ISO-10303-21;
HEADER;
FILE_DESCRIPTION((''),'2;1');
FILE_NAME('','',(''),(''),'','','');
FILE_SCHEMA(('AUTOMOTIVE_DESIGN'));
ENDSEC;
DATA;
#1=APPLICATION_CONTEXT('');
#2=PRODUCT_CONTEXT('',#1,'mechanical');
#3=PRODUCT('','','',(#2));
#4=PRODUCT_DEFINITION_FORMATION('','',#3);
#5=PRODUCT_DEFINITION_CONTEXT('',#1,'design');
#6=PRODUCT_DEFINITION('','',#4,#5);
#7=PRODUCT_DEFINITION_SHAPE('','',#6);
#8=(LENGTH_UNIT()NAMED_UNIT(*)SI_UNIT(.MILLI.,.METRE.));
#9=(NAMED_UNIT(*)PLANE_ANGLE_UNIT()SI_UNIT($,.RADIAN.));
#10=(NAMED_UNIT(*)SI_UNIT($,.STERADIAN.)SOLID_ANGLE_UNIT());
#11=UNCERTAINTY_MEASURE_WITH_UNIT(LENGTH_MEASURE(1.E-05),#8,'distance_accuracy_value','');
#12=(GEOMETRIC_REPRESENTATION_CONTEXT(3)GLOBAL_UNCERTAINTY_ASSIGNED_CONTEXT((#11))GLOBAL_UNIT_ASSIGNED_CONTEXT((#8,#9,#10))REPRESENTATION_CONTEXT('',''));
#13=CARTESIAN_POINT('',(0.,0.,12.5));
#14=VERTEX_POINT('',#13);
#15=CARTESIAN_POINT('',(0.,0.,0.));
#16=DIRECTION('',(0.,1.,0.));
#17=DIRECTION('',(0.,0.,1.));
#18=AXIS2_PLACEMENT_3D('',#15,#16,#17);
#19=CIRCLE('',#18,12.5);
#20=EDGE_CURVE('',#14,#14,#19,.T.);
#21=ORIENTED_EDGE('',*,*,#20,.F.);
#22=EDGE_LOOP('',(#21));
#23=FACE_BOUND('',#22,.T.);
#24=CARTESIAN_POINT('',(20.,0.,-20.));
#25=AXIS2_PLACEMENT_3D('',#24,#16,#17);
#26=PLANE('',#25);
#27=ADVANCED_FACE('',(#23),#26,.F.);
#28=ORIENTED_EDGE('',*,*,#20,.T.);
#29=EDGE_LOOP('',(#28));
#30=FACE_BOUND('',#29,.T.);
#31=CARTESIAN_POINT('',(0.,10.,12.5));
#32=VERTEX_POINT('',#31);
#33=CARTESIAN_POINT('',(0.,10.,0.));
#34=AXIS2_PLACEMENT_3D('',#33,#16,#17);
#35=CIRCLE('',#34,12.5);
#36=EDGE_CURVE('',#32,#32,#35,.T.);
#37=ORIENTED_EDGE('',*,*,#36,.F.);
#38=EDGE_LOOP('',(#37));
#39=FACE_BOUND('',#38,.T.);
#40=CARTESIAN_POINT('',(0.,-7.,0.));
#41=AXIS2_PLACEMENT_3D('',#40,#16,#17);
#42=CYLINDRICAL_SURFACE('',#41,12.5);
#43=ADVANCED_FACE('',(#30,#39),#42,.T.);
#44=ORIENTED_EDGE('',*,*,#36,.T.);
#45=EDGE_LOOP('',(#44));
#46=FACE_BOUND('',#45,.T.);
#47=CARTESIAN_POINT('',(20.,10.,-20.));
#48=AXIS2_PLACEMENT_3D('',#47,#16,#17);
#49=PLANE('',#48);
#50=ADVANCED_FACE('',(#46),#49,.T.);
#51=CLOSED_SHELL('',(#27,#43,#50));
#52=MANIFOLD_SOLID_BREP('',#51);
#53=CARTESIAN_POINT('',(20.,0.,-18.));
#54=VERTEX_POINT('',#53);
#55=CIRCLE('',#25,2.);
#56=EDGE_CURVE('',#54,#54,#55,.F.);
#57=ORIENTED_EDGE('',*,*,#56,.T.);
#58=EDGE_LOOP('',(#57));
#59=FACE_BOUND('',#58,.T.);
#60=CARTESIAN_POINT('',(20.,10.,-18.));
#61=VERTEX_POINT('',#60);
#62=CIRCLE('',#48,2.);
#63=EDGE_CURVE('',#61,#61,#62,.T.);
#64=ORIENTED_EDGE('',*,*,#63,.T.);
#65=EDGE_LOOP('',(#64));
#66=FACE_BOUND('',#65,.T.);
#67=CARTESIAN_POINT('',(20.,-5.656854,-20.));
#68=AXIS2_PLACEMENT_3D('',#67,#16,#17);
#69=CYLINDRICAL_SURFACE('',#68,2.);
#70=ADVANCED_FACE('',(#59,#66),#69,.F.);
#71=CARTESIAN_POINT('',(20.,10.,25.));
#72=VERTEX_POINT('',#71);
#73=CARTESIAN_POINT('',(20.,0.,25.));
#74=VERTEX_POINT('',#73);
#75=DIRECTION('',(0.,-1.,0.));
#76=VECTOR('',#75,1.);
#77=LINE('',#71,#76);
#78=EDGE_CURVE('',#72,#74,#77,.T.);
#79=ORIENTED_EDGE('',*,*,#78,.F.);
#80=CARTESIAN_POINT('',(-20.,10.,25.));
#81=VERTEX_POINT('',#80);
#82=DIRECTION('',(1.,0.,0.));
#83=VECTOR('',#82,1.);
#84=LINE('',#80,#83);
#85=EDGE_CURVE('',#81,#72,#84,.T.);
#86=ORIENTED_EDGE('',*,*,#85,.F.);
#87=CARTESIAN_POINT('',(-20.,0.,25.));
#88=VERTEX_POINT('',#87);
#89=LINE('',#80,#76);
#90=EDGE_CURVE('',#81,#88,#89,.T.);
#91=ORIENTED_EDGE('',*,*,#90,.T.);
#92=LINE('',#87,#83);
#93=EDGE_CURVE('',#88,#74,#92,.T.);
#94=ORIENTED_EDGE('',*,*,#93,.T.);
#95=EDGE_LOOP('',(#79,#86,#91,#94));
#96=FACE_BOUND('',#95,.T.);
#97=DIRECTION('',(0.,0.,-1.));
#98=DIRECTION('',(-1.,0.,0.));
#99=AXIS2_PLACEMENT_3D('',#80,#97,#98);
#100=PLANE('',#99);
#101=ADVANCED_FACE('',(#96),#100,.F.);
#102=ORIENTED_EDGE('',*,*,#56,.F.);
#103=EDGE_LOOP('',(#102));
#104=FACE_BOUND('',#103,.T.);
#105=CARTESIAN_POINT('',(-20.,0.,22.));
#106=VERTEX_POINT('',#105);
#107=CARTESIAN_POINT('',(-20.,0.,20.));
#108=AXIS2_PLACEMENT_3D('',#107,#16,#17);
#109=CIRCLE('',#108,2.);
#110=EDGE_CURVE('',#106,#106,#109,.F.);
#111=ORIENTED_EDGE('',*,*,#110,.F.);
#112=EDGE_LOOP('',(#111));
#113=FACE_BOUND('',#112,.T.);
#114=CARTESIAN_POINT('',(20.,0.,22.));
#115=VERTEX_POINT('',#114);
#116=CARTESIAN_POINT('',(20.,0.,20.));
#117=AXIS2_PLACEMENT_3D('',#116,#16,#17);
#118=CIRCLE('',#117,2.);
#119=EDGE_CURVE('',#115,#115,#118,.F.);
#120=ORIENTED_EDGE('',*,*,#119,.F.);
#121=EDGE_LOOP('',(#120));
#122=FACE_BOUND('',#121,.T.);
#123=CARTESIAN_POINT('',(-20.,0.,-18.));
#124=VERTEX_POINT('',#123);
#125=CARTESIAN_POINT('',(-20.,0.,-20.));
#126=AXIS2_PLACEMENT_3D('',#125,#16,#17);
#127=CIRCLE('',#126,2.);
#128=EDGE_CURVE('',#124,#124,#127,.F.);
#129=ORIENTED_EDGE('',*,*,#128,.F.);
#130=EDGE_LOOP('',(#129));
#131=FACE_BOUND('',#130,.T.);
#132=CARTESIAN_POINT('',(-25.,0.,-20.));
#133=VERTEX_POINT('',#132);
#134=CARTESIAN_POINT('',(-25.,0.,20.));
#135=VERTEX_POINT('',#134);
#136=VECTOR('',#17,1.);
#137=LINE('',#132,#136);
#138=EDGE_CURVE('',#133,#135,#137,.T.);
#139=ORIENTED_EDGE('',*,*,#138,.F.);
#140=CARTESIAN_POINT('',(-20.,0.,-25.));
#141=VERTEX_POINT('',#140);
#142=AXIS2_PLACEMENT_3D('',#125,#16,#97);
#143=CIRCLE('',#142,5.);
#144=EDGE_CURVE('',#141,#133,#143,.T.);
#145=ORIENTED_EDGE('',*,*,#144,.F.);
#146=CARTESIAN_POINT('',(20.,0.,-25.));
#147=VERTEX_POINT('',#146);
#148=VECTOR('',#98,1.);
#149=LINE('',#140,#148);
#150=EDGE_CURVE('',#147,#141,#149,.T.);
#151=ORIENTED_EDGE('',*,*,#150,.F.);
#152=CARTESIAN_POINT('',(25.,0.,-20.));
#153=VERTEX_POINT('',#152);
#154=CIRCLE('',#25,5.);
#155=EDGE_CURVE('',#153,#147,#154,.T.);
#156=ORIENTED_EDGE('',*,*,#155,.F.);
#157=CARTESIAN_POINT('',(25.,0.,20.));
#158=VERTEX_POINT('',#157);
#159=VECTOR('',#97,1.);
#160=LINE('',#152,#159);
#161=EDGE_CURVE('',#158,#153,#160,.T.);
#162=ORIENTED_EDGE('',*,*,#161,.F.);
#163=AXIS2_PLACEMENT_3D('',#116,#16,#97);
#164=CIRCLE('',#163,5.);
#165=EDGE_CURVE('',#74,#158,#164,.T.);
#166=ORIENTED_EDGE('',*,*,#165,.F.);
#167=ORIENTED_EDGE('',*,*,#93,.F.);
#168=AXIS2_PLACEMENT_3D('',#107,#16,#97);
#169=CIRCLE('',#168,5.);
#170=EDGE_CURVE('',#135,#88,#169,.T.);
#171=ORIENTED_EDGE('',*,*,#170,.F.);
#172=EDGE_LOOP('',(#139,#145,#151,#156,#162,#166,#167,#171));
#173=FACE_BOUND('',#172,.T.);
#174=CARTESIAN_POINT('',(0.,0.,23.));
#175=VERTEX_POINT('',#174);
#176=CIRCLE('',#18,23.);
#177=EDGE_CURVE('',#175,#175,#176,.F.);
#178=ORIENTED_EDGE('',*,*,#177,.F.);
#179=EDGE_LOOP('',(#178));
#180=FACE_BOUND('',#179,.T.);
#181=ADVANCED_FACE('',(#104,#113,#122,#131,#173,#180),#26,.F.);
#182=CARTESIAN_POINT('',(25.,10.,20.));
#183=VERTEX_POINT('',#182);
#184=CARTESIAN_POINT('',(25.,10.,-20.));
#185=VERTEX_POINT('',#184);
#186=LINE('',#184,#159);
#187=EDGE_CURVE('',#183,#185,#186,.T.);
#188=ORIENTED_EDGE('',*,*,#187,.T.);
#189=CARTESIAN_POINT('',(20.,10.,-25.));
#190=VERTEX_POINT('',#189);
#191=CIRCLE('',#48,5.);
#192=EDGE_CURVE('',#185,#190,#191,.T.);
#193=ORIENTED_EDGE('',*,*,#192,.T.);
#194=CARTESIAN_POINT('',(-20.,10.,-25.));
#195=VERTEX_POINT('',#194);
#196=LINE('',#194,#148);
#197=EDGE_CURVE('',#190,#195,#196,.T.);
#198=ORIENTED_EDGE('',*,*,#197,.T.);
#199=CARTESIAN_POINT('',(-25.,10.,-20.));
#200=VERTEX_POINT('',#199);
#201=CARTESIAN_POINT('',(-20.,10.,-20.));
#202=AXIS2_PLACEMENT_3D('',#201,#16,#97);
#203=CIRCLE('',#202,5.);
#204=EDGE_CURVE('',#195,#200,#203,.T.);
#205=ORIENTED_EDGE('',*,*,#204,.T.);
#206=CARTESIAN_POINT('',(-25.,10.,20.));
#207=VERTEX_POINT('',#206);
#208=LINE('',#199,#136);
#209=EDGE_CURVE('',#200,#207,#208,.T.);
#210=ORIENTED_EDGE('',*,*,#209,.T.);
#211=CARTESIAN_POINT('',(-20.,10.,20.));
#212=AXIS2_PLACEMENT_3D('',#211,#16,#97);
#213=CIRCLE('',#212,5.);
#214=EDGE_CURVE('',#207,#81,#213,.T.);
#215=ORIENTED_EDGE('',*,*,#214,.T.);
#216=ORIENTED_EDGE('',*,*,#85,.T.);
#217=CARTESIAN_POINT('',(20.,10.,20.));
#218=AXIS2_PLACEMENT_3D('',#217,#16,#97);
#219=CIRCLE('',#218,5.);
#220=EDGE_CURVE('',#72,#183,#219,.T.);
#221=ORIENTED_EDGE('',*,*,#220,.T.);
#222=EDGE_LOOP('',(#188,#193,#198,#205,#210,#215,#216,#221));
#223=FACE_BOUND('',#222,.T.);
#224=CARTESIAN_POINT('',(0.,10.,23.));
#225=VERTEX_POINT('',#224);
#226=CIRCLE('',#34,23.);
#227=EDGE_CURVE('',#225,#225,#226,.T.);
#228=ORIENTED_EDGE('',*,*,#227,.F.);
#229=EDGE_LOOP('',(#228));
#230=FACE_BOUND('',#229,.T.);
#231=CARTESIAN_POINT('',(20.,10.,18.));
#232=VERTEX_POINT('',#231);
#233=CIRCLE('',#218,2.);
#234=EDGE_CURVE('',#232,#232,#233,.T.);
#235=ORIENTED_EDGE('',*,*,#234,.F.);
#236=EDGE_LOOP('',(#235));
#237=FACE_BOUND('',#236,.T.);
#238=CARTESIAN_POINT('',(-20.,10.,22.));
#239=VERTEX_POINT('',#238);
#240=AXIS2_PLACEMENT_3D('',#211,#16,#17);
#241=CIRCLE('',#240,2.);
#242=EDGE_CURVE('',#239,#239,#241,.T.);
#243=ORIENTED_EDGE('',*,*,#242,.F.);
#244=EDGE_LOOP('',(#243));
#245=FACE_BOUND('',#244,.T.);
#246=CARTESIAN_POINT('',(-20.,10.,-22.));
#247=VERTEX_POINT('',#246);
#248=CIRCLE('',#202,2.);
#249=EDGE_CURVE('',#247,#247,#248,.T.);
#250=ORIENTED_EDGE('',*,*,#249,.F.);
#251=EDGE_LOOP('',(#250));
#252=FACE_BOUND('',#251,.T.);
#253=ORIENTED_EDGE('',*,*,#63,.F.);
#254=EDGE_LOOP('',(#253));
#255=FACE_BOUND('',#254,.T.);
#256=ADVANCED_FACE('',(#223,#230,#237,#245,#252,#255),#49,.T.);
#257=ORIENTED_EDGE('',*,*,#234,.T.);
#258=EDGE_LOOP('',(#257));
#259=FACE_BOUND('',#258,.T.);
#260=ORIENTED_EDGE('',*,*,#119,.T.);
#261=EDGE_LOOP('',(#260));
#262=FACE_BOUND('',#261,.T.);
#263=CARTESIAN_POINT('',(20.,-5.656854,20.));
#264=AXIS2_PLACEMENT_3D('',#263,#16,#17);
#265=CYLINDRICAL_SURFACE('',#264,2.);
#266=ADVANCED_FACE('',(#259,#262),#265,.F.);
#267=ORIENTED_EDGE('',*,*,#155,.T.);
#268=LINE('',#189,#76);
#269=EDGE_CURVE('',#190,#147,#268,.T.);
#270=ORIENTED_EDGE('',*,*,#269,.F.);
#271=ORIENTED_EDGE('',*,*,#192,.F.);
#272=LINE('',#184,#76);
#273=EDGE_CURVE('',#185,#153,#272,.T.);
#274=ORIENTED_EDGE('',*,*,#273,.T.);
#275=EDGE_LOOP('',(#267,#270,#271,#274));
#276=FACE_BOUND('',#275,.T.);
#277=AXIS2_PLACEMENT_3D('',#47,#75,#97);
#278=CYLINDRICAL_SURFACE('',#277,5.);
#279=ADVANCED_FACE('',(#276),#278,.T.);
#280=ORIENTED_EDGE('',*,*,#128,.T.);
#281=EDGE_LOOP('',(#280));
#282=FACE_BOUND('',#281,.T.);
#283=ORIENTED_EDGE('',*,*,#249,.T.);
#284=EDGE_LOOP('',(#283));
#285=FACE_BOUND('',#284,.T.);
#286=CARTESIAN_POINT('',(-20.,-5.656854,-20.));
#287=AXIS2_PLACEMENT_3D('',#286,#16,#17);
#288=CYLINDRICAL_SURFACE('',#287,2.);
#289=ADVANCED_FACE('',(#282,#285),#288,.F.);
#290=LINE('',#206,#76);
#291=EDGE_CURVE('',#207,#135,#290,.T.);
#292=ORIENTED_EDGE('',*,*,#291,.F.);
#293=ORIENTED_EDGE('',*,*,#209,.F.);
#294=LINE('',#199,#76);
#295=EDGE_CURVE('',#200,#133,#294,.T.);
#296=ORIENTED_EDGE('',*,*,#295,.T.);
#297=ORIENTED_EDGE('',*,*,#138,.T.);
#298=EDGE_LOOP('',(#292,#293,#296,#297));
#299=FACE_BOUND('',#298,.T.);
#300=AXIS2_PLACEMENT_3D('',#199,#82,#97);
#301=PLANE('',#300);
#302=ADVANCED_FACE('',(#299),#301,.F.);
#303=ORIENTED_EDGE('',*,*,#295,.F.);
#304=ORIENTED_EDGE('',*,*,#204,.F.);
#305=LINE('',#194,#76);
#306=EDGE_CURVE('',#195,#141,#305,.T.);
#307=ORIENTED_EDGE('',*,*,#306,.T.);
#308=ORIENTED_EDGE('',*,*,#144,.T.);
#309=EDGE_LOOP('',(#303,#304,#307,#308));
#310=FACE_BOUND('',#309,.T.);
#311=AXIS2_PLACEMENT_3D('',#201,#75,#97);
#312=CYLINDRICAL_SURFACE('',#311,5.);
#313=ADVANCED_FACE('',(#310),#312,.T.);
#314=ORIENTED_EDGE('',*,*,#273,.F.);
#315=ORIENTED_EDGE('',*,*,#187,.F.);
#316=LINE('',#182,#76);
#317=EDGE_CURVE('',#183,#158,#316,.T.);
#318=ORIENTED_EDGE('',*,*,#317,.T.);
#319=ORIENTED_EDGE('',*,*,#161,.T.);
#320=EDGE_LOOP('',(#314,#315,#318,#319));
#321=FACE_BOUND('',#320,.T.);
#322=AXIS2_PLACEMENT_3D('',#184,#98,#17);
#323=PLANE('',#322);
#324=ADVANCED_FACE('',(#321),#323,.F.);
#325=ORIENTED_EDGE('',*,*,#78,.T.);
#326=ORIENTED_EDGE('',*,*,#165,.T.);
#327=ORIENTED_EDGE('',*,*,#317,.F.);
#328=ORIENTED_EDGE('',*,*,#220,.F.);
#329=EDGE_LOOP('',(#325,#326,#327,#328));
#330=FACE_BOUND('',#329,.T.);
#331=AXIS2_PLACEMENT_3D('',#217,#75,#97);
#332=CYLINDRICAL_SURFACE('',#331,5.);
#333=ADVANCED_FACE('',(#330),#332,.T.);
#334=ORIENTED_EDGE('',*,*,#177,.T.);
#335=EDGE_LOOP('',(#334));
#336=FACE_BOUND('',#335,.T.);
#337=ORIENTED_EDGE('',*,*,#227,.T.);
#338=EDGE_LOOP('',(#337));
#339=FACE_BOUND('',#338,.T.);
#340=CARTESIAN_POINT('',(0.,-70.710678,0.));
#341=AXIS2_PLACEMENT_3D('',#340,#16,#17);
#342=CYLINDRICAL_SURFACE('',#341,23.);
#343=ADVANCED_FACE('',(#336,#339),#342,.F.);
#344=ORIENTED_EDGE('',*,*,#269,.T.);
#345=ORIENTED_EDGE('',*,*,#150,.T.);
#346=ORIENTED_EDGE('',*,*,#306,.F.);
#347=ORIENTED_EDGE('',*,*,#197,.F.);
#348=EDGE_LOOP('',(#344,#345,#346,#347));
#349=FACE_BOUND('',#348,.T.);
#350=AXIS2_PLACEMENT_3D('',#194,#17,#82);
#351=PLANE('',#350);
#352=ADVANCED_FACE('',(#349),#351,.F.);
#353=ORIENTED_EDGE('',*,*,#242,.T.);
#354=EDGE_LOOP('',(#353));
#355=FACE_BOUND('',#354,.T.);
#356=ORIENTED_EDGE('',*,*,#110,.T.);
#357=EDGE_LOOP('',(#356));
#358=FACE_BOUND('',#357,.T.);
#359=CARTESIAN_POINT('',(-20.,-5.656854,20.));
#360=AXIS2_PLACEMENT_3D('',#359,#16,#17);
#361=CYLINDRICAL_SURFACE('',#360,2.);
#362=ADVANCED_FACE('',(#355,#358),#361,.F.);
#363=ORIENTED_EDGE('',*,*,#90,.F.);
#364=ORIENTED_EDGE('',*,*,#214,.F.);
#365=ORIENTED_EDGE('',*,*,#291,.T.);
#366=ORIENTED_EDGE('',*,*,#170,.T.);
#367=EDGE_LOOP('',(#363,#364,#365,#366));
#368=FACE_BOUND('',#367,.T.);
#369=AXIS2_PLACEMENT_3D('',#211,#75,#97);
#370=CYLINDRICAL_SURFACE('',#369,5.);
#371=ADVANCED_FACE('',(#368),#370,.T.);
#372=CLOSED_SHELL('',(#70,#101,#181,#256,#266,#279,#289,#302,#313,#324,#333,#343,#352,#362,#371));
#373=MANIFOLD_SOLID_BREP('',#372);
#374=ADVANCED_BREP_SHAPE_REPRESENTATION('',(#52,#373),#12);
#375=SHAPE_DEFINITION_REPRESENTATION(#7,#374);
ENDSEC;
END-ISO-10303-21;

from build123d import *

# Parameters (mm, degrees)
EXTRUDE_1_DEPTH     = 10
SKETCH_2_R          = 12.5
CUT_EXTRUDE_1_DEPTH = 17
SKETCH_3_R          = 23
EXTRUDE_3_DEPTH     = 10
SKETCH_4_R          = 2
CUT_EXTRUDE_2_DEPTH = 10


with BuildPart() as part:
    # 草图1 → 拉伸1 (new body)
    with BuildSketch(Plane(origin=(0, 0, 0), x_dir=(1, 0, 0), z_dir=(0, 1, 0))):
        with BuildLine():
            Line((-20, 25), (20, 25))
            ThreePointArc((20, 25), (23.535533906, 23.535533906), (25, 20))
            Line((25, 20), (25, -20))
            ThreePointArc((25, -20), (23.535533906, -23.535533906), (20, -25))
            Line((20, -25), (-20, -25))
            ThreePointArc((-20, -25), (-23.535533906, -23.535533906), (-25, -20))
            Line((-25, -20), (-25, 20))
            ThreePointArc((-25, 20), (-23.535533906, 23.535533906), (-20, 25))
        make_face()
    extrude(amount=EXTRUDE_1_DEPTH)

    # 草图2 → 切除-拉伸1 (cut)
    with BuildSketch(Plane(origin=(0, 10, 0), x_dir=(-1, 0, 0), z_dir=(0, 1, 0))):
        with BuildLine():
            Line((-20, -23), (20, -23))
            ThreePointArc((20, -23), (22.121320344, -22.121320344), (23, -20))
            Line((23, -20), (23, 20))
            ThreePointArc((23, 20), (22.121320344, 22.121320344), (20, 23))
            Line((20, 23), (-20, 23))
            ThreePointArc((-20, 23), (-22.121320344, 22.121320344), (-23, 20))
            Line((-23, 20), (-23, -20))
            ThreePointArc((-23, -20), (-22.121320344, -22.121320344), (-20, -23))
        make_face()
        with Locations(Location((0, 0, 0), (0, 0, 90))):
            Circle(SKETCH_2_R, mode=Mode.SUBTRACT)
    extrude(amount=-CUT_EXTRUDE_1_DEPTH, mode=Mode.SUBTRACT)


with BuildPart() as cut_extrude_1_piece_1:
    # of the separate pieces the step leaves, piece 1, a body of its own (cut_extrude_1_pieces)
    add(part.part.solids().sort_by_distance((0, 0, 12.5))[0])


with BuildPart() as cut_extrude_1_piece_2:
    # of the separate pieces the step leaves, piece 2, a body of its own (cut_extrude_1_pieces)
    add(part.part.solids().sort_by_distance((-20, 0, -25))[0])

    # 草图3 → 拉伸3 (add)
    with BuildSketch(Plane(origin=(0, 10, 0), x_dir=(-1, 0, 0), z_dir=(0, 1, 0))):
        with BuildLine():
            Line((25, -20), (25, 20))
            ThreePointArc((25, 20), (23.535533906, 23.535533906), (20, 25))
            Line((20, 25), (-20, 25))
            ThreePointArc((-20, 25), (-23.535533906, 23.535533906), (-25, 20))
            Line((-25, 20), (-25, -20))
            ThreePointArc((-25, -20), (-23.535533906, -23.535533906), (-20, -25))
            Line((-20, -25), (20, -25))
            ThreePointArc((20, -25), (23.535533906, -23.535533906), (25, -20))
        make_face()
        with Locations(Location((0, 0, 0), (0, 0, 90))):
            Circle(SKETCH_3_R, mode=Mode.SUBTRACT)
    extrude(amount=-EXTRUDE_3_DEPTH)

    # 草图4 → 切除-拉伸2 (cut)
    with BuildSketch(Plane(origin=(0, 10, 0), x_dir=(-1, 0, 0), z_dir=(0, 1, 0))):
        with Locations(Location((-20, -20, 0), (0, 0, 90))):
            Circle(SKETCH_4_R)
        with Locations(Location((-20, 20, 0), (0, 0, 90))):
            Circle(SKETCH_4_R)
        with Locations(Location((20, 20, 0), (0, 0, 90))):
            Circle(SKETCH_4_R)
        with Locations(Location((20, -20, 0), (0, 0, 90))):
            Circle(SKETCH_4_R)
    extrude(amount=-CUT_EXTRUDE_2_DEPTH, mode=Mode.SUBTRACT)


solid = Compound([cut_extrude_1_piece_1.part, cut_extrude_1_piece_2.part])
